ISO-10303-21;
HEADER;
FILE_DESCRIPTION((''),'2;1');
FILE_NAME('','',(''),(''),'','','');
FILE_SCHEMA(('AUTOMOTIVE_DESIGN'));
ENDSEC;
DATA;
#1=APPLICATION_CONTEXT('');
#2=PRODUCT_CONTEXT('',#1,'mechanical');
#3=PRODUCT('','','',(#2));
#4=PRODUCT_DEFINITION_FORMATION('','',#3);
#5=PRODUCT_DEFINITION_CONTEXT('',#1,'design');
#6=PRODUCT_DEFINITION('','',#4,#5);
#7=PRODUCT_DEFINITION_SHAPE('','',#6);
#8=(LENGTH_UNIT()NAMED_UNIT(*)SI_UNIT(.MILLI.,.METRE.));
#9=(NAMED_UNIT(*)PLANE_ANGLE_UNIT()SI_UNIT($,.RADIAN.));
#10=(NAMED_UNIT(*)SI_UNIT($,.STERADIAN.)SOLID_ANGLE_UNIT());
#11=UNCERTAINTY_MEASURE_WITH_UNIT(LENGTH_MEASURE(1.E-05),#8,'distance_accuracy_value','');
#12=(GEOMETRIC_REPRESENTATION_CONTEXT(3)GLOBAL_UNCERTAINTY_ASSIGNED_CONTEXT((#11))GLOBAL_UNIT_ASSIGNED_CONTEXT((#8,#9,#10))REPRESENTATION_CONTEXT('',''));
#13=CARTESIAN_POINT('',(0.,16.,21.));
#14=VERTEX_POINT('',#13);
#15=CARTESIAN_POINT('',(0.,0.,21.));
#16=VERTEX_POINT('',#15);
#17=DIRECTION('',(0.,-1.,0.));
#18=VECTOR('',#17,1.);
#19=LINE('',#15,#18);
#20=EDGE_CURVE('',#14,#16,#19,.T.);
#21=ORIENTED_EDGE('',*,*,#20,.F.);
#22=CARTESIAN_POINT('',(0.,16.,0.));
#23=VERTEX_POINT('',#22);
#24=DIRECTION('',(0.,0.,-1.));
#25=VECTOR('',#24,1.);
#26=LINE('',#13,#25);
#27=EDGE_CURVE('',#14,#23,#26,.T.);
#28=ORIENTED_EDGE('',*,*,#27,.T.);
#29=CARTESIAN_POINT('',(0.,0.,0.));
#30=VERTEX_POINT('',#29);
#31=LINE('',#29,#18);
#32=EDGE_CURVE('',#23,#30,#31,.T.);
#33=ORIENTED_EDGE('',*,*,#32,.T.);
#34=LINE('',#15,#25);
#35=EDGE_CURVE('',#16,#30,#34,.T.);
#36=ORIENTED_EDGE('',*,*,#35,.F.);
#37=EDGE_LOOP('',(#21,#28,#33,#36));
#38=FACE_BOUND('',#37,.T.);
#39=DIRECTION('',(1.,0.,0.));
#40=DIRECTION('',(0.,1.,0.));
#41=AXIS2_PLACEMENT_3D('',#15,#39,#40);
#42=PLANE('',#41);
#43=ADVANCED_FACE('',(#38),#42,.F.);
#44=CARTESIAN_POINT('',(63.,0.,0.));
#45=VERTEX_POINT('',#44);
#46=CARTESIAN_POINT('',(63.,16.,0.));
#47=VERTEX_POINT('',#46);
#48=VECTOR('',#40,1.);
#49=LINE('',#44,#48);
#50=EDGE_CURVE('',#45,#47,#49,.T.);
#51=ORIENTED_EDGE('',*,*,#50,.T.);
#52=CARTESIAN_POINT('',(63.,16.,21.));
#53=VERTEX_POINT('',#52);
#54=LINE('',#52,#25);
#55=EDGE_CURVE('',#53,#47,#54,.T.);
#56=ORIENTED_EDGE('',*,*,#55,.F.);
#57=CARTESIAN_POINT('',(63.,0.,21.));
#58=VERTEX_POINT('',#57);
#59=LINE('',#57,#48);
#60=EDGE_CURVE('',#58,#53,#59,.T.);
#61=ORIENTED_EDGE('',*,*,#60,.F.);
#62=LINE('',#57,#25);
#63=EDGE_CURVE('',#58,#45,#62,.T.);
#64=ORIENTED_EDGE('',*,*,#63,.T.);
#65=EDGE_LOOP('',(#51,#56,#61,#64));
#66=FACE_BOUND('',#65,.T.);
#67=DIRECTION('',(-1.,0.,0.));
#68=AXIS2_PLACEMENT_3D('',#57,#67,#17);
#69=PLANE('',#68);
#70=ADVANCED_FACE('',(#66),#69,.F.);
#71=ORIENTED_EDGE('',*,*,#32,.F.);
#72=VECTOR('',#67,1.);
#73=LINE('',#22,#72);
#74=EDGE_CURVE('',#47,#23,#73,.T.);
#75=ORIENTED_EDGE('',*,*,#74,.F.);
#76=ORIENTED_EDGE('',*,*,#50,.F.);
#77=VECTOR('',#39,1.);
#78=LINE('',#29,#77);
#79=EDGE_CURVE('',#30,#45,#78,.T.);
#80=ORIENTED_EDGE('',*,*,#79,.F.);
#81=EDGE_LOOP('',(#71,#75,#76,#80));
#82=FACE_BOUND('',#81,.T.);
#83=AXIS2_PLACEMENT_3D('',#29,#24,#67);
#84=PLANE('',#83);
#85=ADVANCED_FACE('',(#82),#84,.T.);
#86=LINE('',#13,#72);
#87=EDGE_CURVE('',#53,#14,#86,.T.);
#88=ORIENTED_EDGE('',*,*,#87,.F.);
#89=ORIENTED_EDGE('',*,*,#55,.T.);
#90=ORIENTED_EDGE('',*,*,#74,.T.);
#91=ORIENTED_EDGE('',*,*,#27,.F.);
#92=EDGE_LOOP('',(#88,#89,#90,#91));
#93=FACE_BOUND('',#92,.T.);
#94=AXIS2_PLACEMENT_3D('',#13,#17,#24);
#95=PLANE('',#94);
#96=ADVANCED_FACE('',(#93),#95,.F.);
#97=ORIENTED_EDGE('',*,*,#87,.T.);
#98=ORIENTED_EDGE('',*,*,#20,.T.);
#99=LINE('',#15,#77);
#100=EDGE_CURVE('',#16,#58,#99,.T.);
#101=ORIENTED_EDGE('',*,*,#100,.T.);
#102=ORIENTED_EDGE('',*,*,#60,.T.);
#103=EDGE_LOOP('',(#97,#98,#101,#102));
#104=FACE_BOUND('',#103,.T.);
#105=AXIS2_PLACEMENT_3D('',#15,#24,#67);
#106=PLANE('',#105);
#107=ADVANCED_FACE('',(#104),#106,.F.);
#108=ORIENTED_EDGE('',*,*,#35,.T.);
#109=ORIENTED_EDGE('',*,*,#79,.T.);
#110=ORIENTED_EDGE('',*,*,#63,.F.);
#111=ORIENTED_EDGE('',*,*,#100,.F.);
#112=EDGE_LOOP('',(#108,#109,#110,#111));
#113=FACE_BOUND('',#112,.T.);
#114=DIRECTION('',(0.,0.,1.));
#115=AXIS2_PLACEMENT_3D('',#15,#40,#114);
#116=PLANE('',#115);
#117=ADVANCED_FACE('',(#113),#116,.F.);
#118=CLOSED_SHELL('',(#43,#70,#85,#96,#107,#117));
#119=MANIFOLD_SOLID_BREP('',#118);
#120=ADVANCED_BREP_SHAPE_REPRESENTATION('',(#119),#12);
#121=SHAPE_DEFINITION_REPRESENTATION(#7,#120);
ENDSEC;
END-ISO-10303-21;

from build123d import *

# Parameters (mm, degrees)
ESBO_O1_W                = 63
ESBO_O1_H                = 16
RESSALTO_EXTRUS_O1_DEPTH = 21


with BuildPart() as part:
    # Esboço1 → Ressalto-extrusão1 (new body)
    with BuildSketch(Plane.XY):
        with Locations((31.5, 8)):
            Rectangle(ESBO_O1_W, ESBO_O1_H)
    extrude(amount=RESSALTO_EXTRUS_O1_DEPTH)


solid = part.part
